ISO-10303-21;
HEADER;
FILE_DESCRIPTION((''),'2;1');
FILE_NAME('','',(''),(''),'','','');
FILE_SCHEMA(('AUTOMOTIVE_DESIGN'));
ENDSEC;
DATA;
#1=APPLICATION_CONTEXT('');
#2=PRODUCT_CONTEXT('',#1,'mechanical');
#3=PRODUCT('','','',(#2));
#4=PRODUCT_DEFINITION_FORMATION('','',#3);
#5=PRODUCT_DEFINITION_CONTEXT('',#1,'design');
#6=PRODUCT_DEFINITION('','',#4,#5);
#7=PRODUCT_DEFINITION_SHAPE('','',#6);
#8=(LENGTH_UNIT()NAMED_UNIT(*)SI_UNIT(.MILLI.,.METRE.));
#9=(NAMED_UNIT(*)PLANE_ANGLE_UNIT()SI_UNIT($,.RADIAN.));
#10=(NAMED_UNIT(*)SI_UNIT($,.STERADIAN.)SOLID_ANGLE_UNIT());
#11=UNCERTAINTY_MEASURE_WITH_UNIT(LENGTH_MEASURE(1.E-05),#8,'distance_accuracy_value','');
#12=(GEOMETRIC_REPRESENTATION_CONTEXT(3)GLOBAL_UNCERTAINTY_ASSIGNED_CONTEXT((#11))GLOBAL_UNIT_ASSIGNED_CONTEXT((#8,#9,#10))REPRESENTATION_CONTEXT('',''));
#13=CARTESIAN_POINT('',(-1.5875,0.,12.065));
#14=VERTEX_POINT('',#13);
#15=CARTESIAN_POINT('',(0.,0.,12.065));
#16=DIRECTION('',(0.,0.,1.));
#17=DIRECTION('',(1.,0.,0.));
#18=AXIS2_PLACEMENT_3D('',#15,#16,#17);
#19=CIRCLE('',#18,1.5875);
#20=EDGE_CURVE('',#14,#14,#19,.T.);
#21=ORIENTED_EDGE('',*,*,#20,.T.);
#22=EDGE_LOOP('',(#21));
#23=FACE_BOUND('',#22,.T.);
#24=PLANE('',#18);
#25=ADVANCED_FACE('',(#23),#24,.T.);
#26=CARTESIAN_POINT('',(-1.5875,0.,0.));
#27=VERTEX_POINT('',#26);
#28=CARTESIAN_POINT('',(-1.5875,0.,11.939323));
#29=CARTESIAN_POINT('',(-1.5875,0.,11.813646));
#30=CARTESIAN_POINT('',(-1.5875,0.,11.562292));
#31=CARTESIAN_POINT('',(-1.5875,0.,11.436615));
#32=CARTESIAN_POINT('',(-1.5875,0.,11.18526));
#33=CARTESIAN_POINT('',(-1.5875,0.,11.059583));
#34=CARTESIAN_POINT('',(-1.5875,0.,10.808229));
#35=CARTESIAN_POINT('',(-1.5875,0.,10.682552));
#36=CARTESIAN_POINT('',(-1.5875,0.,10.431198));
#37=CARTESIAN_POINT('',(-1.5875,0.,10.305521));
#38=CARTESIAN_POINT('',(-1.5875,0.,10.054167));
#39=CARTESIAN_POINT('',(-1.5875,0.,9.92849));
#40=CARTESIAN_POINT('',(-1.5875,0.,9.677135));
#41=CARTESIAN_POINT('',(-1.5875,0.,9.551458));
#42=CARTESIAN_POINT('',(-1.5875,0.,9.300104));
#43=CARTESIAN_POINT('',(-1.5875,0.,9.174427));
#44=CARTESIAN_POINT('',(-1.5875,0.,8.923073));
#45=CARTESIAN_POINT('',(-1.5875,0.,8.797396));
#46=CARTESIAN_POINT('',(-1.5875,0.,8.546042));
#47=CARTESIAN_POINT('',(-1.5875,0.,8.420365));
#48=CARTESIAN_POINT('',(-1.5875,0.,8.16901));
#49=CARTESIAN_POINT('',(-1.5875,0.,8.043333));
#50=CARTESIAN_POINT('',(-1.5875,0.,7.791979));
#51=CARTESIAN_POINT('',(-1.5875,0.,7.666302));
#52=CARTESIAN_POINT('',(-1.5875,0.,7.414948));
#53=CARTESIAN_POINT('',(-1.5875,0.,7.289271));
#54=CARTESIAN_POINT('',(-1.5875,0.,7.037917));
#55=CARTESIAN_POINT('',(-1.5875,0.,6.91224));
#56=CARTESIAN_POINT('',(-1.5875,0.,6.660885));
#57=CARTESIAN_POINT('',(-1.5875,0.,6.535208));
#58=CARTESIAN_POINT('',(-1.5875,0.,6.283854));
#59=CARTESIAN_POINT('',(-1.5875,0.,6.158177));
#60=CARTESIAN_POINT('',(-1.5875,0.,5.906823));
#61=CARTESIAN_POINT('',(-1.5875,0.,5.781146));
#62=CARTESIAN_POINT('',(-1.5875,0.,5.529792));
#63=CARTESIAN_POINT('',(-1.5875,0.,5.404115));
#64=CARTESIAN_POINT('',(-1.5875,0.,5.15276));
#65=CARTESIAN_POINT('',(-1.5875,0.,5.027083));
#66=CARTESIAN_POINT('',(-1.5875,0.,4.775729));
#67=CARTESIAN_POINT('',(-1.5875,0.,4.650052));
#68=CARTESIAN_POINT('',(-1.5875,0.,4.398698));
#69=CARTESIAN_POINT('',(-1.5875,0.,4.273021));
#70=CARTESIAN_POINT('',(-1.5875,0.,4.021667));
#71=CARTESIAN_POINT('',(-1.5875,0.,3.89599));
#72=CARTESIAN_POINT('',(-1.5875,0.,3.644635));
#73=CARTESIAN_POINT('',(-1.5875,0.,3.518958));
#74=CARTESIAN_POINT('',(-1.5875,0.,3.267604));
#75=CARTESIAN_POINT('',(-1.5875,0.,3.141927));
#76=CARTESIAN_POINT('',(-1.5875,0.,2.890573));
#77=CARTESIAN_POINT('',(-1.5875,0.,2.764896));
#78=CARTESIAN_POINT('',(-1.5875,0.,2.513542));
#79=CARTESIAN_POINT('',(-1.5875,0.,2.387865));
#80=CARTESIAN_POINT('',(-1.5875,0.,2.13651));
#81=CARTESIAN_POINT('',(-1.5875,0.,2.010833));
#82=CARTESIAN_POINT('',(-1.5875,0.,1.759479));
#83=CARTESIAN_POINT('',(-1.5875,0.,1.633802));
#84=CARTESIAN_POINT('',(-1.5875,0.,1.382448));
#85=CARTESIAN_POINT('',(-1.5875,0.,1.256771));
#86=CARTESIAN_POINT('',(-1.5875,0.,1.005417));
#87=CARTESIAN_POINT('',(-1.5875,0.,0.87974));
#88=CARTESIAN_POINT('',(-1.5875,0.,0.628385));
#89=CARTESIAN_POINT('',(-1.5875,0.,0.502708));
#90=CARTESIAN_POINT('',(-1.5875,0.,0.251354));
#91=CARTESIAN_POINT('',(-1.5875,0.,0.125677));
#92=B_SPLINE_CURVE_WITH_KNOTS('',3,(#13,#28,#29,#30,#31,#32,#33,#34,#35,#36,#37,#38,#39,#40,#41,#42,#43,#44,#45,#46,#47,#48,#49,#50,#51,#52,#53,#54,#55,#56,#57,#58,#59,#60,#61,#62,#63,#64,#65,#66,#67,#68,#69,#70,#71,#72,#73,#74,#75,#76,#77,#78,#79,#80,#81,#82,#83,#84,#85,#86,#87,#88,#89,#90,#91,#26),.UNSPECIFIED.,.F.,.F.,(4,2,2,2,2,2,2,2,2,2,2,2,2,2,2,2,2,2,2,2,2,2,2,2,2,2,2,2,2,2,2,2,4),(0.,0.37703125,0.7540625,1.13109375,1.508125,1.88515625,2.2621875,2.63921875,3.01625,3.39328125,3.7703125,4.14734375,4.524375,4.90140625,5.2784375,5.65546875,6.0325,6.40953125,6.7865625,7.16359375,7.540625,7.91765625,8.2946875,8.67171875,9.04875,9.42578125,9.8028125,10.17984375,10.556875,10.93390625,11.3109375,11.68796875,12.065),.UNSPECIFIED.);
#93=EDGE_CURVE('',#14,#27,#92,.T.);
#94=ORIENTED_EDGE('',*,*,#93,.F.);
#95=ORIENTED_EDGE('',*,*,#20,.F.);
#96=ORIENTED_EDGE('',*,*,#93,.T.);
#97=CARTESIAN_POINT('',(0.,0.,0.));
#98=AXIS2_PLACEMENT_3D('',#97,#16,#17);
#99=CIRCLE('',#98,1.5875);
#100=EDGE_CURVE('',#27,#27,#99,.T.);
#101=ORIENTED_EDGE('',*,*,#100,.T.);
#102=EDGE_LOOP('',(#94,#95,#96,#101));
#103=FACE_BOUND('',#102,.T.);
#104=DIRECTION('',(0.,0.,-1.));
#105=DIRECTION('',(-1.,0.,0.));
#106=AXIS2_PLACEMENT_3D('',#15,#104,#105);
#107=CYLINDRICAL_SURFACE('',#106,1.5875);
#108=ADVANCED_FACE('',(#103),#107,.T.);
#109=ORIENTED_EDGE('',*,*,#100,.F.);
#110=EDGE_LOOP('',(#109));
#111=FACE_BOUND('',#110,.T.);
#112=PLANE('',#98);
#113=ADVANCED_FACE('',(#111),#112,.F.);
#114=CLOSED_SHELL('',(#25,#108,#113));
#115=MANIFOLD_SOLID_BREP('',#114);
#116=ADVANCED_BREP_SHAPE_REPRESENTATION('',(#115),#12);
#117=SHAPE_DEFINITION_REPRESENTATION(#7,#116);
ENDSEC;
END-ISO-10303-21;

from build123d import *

# Parameters (mm, degrees)
SKETCH1_R           = 1.5875
BOSS_EXTRUDE1_DEPTH = 12.065


with BuildPart() as part:
    # Sketch1 → Boss-Extrude1 (new body)
    with BuildSketch(Plane.XY):
        with Locations(Location((0, 0, 0), (0, 0, 180))):
            Circle(SKETCH1_R)
    extrude(amount=BOSS_EXTRUDE1_DEPTH)


solid = part.part
